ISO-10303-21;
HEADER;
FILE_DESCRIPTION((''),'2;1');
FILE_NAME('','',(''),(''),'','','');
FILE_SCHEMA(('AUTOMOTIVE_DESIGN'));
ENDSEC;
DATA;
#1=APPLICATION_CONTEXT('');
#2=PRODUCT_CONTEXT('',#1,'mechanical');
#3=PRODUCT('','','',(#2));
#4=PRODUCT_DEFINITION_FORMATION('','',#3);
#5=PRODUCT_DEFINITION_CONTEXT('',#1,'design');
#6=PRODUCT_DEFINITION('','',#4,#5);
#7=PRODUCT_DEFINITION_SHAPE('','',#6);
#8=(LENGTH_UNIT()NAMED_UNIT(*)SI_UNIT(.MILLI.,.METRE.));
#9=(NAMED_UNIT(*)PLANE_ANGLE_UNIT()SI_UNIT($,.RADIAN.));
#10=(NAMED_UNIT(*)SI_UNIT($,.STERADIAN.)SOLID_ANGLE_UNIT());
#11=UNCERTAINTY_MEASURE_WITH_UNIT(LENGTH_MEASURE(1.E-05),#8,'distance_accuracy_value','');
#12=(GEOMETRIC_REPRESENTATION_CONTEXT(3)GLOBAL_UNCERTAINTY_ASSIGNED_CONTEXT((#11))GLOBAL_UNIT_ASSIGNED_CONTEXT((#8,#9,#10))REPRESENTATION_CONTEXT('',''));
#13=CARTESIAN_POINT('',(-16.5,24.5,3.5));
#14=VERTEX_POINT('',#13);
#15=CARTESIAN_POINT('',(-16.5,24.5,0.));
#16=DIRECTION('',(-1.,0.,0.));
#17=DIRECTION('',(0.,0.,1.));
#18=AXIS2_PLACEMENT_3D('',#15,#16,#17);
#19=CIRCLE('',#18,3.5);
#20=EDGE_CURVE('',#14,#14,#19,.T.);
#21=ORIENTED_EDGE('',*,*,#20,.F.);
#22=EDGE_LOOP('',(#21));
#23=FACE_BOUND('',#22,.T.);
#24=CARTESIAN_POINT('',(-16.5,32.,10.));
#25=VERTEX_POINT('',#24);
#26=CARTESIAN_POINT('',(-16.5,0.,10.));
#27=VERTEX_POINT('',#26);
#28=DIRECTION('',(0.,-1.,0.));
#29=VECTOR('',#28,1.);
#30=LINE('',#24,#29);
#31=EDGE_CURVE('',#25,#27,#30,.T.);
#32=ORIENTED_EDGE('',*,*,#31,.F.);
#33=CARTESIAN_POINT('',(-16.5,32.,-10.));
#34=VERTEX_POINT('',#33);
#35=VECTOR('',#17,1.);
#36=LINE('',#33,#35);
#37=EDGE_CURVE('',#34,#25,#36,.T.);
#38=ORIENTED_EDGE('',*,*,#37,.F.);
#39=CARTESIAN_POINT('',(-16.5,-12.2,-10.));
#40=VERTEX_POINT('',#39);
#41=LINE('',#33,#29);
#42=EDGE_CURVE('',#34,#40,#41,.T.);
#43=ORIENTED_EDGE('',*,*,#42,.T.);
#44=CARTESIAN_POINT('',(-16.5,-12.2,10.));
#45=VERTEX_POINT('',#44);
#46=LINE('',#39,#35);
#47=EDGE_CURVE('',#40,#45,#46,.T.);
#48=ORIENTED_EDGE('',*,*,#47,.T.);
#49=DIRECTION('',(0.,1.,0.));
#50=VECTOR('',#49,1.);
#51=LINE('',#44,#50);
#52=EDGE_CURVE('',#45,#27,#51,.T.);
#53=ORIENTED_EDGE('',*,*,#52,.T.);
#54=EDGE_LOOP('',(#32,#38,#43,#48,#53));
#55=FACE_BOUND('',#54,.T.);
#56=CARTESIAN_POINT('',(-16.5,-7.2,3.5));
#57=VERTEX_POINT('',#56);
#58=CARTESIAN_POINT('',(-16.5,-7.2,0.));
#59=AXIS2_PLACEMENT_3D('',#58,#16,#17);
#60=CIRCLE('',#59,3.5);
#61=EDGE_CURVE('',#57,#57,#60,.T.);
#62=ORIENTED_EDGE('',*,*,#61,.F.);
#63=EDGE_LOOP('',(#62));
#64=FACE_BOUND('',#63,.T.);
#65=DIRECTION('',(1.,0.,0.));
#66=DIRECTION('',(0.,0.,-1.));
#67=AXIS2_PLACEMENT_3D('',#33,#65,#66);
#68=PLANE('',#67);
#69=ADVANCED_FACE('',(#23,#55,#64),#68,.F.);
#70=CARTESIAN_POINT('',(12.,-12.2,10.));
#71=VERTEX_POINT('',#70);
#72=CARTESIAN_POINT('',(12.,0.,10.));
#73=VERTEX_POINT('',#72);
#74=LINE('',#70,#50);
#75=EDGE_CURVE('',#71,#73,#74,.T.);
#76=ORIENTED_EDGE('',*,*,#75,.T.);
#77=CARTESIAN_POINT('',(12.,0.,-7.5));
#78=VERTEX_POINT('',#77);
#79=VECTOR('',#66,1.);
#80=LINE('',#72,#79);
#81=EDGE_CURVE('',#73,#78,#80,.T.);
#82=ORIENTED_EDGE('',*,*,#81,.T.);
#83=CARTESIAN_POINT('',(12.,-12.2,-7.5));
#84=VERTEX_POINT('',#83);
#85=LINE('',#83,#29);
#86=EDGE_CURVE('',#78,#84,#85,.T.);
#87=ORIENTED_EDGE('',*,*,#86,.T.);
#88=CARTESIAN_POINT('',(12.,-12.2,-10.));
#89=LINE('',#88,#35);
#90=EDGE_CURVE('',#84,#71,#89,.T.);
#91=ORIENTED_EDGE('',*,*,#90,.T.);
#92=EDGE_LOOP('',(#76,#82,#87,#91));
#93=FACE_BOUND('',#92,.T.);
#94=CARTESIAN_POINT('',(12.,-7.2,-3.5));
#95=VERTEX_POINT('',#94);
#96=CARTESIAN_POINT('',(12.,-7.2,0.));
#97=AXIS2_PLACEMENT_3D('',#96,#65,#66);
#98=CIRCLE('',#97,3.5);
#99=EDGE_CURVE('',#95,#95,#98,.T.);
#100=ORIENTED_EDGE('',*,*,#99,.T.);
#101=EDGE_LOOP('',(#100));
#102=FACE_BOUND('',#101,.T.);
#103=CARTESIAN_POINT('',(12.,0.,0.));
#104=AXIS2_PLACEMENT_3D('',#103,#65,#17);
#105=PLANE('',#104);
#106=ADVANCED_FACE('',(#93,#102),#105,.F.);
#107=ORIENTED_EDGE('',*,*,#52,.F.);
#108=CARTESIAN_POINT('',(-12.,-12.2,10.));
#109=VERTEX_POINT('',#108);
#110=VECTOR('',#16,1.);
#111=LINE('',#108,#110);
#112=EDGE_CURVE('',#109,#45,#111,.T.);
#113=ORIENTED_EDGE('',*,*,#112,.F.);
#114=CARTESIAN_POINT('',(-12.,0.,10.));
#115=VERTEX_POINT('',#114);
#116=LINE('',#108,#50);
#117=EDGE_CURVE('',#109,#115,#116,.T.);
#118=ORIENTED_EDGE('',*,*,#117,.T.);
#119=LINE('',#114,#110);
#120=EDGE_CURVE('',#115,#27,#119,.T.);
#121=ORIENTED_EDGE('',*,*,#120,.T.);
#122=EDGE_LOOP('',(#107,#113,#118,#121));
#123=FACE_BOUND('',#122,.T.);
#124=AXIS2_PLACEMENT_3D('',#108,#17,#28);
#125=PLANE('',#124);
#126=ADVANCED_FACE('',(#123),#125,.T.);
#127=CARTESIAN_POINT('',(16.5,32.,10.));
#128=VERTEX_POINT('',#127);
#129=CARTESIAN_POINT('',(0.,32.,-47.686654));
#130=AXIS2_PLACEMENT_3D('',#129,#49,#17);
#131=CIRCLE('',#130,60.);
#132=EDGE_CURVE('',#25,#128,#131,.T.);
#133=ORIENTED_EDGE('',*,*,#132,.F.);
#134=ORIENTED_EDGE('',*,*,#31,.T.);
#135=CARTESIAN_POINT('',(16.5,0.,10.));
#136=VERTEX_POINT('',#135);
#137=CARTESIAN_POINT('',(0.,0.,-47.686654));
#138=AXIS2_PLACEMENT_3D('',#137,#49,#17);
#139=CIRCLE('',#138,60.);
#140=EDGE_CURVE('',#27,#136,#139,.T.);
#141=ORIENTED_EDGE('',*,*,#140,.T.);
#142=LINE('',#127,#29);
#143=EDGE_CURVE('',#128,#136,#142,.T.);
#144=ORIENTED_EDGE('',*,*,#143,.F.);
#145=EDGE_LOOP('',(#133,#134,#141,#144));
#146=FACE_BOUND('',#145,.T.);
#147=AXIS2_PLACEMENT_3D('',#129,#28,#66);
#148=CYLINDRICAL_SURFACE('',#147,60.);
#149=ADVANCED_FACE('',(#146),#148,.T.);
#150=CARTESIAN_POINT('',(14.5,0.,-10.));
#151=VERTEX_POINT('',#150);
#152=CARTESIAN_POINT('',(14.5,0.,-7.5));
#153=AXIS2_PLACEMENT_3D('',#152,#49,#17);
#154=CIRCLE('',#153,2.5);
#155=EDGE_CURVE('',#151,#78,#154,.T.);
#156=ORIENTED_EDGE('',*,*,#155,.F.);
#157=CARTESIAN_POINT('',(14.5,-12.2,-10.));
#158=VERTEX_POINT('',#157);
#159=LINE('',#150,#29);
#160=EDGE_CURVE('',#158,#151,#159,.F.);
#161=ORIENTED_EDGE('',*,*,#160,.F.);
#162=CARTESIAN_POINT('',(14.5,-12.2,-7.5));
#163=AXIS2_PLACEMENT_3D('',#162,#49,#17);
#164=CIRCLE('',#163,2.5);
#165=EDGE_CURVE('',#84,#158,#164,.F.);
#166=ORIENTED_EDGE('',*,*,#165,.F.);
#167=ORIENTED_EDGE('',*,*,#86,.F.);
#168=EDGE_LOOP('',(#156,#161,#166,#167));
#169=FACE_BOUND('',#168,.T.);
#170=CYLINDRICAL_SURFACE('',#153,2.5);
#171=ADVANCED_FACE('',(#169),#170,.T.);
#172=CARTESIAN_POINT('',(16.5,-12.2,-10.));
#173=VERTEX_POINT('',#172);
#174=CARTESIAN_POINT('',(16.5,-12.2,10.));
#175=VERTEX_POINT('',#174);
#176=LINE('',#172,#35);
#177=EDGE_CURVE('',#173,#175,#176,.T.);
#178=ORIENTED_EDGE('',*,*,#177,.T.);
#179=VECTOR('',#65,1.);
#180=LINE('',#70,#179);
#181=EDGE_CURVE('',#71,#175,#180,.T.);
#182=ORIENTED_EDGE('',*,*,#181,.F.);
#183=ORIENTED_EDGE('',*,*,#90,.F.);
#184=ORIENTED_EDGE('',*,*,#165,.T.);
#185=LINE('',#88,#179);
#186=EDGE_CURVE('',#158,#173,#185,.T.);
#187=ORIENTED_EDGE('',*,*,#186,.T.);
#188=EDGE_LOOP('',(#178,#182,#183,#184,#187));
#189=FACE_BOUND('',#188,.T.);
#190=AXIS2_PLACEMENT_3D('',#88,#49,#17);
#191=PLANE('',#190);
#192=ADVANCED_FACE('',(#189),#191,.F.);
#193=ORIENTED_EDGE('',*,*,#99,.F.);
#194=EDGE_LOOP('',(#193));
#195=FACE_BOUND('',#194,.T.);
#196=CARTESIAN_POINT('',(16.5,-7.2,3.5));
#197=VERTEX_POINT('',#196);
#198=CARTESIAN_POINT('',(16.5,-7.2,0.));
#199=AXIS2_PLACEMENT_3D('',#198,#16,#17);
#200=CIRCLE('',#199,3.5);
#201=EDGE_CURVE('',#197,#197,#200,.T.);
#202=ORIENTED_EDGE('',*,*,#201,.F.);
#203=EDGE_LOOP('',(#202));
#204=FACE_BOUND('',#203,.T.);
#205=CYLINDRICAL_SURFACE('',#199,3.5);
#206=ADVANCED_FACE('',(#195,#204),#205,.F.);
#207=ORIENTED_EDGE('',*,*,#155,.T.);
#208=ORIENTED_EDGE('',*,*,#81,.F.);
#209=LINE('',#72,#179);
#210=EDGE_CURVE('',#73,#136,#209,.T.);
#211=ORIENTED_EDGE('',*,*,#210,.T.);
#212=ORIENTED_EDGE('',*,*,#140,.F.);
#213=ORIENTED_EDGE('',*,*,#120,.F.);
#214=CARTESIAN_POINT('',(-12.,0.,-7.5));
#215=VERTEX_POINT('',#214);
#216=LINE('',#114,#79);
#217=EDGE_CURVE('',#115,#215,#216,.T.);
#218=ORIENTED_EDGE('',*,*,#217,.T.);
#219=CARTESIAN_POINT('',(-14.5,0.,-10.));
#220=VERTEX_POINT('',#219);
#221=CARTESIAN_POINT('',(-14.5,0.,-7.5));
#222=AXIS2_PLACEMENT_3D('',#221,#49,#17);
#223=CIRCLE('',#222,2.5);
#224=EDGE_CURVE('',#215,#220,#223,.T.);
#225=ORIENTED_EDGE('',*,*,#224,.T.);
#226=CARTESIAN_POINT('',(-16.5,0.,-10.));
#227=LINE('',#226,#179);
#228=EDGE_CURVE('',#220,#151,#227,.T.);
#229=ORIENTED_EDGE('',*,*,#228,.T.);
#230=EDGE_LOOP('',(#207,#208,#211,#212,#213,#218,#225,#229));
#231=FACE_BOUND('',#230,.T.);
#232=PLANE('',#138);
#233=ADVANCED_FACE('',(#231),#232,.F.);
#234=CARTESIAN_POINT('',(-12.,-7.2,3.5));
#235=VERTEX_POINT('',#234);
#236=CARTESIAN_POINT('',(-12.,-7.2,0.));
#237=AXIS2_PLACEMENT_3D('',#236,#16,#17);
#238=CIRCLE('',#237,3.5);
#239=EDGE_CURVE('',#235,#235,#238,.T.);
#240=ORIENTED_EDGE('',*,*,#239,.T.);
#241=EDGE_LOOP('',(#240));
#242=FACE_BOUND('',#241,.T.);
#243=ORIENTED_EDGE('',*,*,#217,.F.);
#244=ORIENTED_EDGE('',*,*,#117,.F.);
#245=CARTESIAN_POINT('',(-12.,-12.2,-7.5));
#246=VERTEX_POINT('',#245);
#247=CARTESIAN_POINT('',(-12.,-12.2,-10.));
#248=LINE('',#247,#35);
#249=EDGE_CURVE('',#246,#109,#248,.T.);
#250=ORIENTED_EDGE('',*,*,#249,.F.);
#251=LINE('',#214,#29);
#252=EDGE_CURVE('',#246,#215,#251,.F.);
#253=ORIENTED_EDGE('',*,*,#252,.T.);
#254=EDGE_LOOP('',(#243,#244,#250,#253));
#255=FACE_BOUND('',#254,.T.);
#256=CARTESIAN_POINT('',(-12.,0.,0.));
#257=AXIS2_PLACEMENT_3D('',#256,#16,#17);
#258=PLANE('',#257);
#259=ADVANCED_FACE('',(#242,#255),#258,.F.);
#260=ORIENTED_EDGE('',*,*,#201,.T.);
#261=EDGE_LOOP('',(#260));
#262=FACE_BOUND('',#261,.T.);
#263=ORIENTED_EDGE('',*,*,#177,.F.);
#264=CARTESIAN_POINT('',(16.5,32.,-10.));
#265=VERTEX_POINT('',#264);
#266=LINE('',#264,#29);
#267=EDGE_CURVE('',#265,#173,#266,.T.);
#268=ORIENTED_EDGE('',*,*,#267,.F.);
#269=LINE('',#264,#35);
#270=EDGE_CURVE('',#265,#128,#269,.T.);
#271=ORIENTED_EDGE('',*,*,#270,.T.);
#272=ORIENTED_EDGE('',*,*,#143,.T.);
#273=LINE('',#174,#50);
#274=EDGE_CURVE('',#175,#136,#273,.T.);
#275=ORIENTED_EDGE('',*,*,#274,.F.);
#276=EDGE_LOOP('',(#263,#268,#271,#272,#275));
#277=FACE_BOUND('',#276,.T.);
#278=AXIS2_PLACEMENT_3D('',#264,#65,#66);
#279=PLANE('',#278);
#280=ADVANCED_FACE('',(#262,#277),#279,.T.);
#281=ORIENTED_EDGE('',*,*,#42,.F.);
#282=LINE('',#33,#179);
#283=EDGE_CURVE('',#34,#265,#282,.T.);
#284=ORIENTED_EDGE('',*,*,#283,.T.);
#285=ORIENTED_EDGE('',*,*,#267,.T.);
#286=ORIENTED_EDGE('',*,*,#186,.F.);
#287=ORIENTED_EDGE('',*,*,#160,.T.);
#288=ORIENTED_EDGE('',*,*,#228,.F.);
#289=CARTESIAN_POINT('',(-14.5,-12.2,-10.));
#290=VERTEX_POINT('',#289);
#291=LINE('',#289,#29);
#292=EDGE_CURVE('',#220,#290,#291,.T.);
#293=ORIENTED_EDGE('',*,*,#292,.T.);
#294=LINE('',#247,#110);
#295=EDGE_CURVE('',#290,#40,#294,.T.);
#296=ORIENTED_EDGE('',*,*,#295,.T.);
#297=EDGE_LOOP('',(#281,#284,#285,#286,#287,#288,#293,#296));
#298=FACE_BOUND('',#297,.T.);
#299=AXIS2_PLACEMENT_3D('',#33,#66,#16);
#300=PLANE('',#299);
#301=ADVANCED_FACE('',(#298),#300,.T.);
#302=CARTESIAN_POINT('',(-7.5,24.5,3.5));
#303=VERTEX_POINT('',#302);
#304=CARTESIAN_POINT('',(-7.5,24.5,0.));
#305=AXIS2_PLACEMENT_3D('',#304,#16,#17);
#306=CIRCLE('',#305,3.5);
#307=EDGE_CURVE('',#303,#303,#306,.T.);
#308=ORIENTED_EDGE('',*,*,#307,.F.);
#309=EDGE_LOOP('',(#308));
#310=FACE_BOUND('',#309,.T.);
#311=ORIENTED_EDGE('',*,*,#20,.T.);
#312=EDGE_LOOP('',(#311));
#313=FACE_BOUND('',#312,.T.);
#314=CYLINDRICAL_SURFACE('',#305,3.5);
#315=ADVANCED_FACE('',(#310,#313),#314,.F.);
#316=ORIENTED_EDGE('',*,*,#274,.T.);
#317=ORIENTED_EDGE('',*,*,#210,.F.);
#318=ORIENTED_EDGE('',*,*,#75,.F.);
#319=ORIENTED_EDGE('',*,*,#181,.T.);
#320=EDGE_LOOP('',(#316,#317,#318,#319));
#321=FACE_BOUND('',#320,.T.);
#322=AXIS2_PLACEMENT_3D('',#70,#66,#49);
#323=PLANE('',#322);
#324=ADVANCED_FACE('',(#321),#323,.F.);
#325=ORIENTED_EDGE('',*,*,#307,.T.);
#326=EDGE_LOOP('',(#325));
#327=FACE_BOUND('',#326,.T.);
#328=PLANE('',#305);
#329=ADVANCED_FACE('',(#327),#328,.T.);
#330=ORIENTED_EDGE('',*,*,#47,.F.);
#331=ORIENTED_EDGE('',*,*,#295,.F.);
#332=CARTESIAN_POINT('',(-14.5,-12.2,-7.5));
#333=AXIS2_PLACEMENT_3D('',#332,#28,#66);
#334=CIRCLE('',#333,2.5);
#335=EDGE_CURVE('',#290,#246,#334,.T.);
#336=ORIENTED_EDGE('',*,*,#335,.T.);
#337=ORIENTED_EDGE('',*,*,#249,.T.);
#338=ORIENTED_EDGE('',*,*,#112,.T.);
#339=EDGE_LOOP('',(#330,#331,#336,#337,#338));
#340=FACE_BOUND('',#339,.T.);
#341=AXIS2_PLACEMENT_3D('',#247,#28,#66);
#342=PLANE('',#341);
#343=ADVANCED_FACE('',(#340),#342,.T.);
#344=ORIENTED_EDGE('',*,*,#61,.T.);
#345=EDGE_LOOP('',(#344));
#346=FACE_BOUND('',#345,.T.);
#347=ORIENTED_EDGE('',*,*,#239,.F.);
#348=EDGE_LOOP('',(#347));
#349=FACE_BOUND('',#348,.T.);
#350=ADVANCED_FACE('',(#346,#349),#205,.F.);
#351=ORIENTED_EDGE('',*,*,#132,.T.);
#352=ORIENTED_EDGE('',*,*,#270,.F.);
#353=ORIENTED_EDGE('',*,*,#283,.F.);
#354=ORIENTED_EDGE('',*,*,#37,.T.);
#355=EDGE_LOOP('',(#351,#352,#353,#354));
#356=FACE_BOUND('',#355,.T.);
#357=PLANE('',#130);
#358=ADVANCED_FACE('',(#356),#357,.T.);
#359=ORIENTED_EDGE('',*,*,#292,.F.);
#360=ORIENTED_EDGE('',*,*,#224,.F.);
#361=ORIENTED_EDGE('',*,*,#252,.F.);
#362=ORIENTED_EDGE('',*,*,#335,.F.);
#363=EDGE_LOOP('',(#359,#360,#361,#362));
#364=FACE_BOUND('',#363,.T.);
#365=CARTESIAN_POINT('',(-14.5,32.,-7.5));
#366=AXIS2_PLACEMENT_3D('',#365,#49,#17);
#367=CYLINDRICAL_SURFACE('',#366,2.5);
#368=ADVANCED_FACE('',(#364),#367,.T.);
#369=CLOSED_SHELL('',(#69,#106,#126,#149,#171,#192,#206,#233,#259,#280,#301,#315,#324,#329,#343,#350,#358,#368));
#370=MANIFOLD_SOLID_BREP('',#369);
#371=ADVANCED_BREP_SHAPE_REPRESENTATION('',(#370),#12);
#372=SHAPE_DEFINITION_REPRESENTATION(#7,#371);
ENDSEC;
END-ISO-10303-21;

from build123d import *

# Parameters (mm, degrees)
BOSS_EXTRUDE1_DEPTH = 32
SKETCH3_W           = 20
SKETCH3_H           = 12.2
BOSS_EXTRUDE2_DEPTH = 4.5
SKETCH4_R           = 3.5
CUT_EXTRUDE1_DEPTH  = 34
SKETCH5_R           = 3.5
CUT_EXTRUDE2_DEPTH  = 9
FILLET1_R           = 2.5


with BuildPart() as part:
    # Sketch1 → Boss-Extrude1 (new body)
    with BuildSketch(Plane(origin=(0, 0, 0), x_dir=(1, 0, 0), z_dir=(0, 1, 0))):
        with BuildLine():
            Line((-16.5, 10), (16.5, 10))
            Line((16.5, 10), (16.5, -10))
            ThreePointArc((16.5, -10), (0, -12.313346431), (-16.5, -10))
            Line((-16.5, -10), (-16.5, 10))
        make_face()
    extrude(amount=BOSS_EXTRUDE1_DEPTH)

    # Sketch3 → Boss-Extrude2 (add)
    with BuildSketch(Plane.ZY.offset(16.5)):
        with Locations((0, -6.1)):
            Rectangle(SKETCH3_W, SKETCH3_H)
    boss_extrude2 = extrude(amount=-BOSS_EXTRUDE2_DEPTH)

    # Mirror1: Boss-Extrude2 across plane
    add(boss_extrude2.mirror(Plane(origin=(0, 0, 0), x_dir=(0, 0, 1), z_dir=(1, 0, 0))))

    # Sketch4 → Cut-Extrude1 (cut, through all)
    with BuildSketch(Plane.ZY.offset(16.5)):
        with Locations((0, -7.2)):
            Circle(SKETCH4_R)
    extrude(amount=-CUT_EXTRUDE1_DEPTH, mode=Mode.SUBTRACT)

    # Sketch5 → Cut-Extrude2 (cut)
    with BuildSketch(Plane.ZY.offset(16.5)):
        with Locations((0, 24.5)):
            Circle(SKETCH5_R)
    extrude(amount=-CUT_EXTRUDE2_DEPTH, mode=Mode.SUBTRACT)

    # Fillet1
    fillet1_edges = [part.edges().sort_by_distance(p)[0] for p in [
        (-12, -6.1, -10),
        (12, -6.1, -10),
    ]]
    fillet(fillet1_edges, radius=FILLET1_R)


solid = part.part
